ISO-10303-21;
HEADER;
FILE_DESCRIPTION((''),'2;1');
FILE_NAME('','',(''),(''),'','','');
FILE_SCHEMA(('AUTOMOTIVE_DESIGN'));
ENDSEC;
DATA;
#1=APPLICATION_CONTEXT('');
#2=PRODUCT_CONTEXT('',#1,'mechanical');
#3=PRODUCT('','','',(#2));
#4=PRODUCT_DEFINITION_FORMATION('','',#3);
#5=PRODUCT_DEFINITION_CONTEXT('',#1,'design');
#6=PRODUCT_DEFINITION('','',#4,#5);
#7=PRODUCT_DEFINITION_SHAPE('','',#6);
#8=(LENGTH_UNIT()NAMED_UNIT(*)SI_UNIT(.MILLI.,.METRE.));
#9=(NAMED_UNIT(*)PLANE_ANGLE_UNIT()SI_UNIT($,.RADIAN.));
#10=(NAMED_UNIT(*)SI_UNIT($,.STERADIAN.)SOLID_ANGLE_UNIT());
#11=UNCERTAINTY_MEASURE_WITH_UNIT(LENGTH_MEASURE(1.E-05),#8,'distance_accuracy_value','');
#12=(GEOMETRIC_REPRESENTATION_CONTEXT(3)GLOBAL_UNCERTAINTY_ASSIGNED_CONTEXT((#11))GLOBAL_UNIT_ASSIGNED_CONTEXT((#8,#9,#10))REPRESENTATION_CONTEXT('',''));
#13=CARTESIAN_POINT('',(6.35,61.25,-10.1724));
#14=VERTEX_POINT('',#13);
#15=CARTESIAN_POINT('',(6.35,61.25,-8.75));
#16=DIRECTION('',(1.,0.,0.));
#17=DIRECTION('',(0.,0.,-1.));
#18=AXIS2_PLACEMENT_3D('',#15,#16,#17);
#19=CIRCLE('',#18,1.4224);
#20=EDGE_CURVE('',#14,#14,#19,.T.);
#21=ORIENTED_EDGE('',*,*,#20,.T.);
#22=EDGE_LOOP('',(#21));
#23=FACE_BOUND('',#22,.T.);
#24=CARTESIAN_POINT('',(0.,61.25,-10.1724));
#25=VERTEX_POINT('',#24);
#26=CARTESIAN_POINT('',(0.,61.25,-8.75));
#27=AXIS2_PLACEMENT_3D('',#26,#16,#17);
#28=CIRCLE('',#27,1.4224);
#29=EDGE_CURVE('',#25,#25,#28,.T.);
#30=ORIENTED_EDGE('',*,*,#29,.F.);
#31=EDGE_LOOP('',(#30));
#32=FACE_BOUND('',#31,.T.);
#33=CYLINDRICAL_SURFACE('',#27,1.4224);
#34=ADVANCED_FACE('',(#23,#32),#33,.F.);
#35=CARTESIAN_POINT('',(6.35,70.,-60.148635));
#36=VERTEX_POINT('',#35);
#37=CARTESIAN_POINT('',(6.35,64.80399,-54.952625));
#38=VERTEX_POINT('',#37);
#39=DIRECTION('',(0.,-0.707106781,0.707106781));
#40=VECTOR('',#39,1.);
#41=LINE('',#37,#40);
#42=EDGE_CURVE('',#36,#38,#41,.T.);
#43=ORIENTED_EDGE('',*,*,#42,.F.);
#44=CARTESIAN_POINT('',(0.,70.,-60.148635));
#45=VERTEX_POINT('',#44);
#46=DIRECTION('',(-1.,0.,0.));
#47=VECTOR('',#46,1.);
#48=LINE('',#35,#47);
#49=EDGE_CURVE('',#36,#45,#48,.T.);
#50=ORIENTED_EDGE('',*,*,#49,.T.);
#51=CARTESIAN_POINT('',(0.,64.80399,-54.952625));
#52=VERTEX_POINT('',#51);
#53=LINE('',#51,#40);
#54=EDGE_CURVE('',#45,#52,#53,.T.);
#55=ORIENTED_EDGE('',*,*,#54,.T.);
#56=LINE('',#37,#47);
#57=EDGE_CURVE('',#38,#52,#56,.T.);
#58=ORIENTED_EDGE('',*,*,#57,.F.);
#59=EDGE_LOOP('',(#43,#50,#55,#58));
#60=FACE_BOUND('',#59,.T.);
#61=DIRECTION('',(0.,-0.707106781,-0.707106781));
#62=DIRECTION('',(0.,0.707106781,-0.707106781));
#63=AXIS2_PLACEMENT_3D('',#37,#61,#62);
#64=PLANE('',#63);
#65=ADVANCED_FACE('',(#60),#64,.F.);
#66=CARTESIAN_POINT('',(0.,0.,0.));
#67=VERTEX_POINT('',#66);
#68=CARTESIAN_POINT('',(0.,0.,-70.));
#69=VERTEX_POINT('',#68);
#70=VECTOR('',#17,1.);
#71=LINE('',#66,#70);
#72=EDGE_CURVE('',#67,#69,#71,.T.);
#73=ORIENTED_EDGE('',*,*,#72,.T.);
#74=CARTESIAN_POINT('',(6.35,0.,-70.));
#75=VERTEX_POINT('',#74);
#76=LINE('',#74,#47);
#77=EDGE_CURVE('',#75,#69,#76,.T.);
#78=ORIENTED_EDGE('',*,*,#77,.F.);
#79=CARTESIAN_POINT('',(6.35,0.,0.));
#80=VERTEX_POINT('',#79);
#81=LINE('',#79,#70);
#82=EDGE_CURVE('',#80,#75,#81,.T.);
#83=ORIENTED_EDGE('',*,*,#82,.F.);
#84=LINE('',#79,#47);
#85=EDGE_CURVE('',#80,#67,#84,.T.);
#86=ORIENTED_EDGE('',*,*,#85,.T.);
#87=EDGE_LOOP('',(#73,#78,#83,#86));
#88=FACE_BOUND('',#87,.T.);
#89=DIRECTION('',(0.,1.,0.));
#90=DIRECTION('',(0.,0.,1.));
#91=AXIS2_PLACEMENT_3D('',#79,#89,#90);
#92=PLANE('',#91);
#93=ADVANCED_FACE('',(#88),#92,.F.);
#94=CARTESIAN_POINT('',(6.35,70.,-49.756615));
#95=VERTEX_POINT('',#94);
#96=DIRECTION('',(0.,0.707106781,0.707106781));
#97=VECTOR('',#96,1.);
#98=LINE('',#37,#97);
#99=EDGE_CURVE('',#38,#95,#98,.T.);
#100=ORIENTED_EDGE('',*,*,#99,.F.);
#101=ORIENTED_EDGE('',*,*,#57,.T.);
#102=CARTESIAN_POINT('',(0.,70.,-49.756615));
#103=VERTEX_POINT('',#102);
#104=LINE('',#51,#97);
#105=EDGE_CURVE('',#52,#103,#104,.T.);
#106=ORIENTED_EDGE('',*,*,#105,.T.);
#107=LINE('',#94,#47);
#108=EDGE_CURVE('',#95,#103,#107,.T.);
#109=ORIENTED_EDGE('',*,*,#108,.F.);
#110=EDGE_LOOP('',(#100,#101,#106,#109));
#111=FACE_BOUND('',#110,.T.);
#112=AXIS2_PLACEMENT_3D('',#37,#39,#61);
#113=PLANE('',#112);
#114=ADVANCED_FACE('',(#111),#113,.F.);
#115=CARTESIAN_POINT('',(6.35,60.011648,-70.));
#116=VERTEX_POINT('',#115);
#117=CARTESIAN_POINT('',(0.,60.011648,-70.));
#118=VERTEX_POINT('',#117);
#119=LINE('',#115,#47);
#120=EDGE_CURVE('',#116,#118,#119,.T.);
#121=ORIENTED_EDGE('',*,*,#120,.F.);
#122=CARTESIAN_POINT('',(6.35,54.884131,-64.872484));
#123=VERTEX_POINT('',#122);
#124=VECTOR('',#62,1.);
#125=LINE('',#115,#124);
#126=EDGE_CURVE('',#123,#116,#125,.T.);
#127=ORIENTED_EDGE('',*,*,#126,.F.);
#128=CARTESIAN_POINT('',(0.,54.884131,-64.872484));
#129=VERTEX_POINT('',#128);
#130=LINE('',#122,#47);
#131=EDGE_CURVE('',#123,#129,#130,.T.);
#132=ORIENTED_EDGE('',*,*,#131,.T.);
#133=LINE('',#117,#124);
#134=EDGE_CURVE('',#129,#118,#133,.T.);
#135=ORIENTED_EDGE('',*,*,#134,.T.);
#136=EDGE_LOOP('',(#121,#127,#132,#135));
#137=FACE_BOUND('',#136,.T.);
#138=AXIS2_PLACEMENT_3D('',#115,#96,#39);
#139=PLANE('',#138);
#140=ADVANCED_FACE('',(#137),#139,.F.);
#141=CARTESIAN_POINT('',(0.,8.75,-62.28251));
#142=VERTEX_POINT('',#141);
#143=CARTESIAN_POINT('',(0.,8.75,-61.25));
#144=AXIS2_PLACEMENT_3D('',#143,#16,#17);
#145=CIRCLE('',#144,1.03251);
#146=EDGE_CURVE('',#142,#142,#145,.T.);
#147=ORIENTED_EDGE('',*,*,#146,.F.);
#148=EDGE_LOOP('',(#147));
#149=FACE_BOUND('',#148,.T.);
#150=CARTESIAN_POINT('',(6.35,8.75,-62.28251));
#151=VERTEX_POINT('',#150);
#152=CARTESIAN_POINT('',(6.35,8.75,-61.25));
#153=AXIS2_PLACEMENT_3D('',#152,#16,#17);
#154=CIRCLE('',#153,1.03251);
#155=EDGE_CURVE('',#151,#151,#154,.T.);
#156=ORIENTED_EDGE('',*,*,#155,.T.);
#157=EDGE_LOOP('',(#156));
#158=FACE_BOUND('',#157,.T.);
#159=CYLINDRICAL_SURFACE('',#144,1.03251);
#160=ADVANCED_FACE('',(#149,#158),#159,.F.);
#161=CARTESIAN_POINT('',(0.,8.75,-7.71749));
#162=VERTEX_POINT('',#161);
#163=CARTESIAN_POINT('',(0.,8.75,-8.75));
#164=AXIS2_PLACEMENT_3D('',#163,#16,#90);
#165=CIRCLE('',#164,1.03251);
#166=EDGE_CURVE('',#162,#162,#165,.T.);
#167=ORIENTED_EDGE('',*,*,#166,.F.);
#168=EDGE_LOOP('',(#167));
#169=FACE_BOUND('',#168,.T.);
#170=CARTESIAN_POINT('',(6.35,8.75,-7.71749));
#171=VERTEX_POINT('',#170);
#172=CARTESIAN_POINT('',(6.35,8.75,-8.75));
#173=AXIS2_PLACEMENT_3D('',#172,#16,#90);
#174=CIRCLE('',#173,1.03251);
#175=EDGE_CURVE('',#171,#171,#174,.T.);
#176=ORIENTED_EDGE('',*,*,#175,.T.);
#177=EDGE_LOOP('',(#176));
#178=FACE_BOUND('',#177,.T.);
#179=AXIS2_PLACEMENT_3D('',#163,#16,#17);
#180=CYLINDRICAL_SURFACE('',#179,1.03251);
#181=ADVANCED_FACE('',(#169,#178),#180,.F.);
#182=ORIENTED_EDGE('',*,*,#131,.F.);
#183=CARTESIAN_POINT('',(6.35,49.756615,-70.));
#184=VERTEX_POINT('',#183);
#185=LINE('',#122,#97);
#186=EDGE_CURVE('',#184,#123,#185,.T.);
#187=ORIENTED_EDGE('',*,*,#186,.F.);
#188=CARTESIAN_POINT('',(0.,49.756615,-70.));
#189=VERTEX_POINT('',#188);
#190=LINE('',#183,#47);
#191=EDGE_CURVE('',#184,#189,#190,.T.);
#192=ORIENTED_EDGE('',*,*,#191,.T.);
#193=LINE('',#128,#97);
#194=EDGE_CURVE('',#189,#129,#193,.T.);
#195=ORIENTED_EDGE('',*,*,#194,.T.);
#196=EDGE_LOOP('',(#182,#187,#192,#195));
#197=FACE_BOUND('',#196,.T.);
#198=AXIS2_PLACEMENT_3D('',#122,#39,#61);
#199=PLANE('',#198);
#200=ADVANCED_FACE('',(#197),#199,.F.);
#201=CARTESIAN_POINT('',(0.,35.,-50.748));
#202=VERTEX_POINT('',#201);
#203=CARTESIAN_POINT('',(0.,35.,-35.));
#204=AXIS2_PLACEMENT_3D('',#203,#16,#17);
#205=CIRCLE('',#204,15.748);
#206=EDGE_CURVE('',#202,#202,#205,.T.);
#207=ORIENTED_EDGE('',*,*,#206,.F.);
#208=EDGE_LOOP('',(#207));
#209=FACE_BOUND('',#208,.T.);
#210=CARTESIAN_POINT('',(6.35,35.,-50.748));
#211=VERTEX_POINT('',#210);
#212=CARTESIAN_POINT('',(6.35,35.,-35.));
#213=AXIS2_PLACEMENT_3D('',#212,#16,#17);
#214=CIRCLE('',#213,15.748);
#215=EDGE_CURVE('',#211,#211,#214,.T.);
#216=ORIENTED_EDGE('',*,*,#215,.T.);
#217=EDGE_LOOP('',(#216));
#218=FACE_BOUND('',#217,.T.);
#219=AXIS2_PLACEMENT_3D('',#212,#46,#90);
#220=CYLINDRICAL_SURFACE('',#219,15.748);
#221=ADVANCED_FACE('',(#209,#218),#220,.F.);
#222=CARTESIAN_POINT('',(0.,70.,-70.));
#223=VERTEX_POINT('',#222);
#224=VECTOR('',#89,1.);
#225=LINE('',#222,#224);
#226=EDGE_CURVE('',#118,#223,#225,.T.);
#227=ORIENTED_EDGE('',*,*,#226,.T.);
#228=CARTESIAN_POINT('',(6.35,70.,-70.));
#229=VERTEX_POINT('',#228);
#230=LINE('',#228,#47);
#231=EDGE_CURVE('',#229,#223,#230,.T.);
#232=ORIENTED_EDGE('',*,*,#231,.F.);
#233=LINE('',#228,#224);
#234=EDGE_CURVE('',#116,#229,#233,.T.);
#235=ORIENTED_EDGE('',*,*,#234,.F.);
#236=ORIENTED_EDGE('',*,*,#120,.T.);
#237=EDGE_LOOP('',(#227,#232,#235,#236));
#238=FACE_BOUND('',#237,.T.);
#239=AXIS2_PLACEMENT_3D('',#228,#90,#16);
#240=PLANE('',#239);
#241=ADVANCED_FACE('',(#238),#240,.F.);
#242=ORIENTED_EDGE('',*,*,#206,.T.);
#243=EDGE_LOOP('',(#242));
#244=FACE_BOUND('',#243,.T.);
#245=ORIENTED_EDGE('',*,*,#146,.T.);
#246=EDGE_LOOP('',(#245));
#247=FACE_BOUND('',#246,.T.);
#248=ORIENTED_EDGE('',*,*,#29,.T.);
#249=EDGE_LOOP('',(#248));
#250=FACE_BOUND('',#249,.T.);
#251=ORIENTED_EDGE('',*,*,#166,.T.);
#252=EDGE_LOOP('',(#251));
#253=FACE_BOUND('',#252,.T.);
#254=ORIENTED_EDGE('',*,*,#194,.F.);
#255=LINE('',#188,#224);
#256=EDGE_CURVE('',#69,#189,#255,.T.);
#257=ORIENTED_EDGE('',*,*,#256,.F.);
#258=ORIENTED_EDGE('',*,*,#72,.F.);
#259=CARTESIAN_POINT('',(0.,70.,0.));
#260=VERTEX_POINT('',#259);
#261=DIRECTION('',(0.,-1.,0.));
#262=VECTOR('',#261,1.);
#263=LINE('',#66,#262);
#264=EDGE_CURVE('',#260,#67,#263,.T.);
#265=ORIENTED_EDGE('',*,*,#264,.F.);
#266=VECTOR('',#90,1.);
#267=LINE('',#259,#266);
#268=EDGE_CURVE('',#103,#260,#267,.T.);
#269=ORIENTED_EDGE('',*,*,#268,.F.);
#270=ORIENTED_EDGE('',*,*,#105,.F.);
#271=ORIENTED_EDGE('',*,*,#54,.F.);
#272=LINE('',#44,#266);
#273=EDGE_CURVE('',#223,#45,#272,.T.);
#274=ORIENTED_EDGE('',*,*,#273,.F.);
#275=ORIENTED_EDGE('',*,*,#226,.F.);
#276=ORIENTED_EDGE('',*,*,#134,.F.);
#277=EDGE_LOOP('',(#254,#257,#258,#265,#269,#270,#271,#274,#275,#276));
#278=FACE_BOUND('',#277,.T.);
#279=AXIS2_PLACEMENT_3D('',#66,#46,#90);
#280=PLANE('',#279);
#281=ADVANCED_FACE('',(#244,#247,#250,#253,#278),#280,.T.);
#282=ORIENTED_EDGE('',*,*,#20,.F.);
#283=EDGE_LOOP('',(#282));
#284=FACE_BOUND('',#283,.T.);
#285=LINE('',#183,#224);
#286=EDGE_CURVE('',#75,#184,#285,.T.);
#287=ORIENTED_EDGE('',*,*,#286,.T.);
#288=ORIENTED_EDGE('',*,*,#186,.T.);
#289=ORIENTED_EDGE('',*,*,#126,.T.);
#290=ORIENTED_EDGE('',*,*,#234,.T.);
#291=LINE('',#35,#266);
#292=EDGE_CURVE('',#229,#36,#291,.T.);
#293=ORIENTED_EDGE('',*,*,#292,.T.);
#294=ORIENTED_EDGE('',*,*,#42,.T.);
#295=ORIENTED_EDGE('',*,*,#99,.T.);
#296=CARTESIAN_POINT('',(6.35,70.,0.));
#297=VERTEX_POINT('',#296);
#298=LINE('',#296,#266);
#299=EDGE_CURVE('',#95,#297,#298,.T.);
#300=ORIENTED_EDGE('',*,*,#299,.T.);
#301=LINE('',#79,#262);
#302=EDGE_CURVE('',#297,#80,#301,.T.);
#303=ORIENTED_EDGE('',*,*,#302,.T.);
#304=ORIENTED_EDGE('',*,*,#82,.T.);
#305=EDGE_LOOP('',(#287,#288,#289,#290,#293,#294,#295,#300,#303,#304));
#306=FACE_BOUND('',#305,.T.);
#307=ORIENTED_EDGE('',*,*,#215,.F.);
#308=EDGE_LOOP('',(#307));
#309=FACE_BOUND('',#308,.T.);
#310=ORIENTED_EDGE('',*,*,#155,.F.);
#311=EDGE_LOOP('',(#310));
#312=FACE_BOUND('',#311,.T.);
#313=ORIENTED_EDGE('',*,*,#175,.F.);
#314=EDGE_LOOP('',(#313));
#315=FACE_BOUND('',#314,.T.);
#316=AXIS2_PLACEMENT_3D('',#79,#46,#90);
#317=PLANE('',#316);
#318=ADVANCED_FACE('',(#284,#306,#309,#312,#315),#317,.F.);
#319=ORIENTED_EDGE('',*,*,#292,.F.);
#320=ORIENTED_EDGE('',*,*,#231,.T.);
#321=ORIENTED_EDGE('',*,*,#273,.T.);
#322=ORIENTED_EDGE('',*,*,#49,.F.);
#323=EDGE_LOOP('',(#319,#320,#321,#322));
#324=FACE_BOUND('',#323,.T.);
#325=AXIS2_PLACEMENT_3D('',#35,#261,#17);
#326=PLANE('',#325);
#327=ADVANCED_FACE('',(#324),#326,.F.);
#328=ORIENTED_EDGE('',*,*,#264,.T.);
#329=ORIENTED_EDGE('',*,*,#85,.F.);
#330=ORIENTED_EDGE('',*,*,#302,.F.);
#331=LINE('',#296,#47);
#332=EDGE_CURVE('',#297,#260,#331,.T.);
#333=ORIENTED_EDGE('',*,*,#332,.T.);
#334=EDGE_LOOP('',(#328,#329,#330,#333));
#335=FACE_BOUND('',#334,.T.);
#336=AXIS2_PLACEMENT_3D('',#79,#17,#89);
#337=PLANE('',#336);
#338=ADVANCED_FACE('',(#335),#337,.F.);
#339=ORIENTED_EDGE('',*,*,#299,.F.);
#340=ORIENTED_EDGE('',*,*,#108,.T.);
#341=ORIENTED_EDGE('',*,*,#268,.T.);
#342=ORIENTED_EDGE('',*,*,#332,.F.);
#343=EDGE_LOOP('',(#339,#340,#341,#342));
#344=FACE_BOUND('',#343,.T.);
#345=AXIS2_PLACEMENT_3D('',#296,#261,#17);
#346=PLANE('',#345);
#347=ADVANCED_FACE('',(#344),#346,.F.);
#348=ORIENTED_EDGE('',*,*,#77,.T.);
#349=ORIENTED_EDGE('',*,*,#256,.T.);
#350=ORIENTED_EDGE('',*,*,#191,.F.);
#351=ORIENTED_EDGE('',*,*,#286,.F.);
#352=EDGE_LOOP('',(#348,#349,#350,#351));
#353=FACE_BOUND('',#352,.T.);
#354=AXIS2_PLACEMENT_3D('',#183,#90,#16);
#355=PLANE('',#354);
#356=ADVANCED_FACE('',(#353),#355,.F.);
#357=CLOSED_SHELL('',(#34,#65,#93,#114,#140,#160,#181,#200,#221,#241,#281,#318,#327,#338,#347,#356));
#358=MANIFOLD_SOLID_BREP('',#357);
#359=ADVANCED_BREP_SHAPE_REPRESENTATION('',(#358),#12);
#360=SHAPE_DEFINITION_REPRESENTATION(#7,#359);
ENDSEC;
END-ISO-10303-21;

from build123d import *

# Parameters (mm, degrees)
SKETCH1_R           = 15.748
BOSS_EXTRUDE1_DEPTH = 6.35
SKETCH2_R           = 1.4224
SKETCH2_R_2         = 1.03251
CUT_EXTRUDE1_DEPTH  = 6.35


with BuildPart() as part:
    # Sketch1 → Boss-Extrude1 (new body)
    with BuildSketch(Plane(origin=(0, 0, 0), x_dir=(0, 0, -1), z_dir=(1, 0, 0))):
        Polygon((0, 0), (70, 0), (70, 49.756615014), (64.872483647, 54.884131367), (70, 60.011647719), (70, 70), (60.148635267, 70), (54.952625141, 64.803989874), (49.756615014, 70), (0, 70), align=None)
        with Locations((35, 35)):
            Circle(SKETCH1_R, mode=Mode.SUBTRACT)
    extrude(amount=BOSS_EXTRUDE1_DEPTH)

    # Sketch2 → Cut-Extrude1 (cut)
    with BuildSketch(Plane(origin=(6.35, 0, 0), x_dir=(0, 0, -1), z_dir=(1, 0, 0))):
        with Locations((8.75, 61.25)):
            Circle(SKETCH2_R)
        with Locations((8.75, 8.75)):
            Circle(SKETCH2_R_2)
        with Locations((61.25, 8.75)):
            Circle(SKETCH2_R_2)
    extrude(amount=-CUT_EXTRUDE1_DEPTH, mode=Mode.SUBTRACT)


solid = part.part
